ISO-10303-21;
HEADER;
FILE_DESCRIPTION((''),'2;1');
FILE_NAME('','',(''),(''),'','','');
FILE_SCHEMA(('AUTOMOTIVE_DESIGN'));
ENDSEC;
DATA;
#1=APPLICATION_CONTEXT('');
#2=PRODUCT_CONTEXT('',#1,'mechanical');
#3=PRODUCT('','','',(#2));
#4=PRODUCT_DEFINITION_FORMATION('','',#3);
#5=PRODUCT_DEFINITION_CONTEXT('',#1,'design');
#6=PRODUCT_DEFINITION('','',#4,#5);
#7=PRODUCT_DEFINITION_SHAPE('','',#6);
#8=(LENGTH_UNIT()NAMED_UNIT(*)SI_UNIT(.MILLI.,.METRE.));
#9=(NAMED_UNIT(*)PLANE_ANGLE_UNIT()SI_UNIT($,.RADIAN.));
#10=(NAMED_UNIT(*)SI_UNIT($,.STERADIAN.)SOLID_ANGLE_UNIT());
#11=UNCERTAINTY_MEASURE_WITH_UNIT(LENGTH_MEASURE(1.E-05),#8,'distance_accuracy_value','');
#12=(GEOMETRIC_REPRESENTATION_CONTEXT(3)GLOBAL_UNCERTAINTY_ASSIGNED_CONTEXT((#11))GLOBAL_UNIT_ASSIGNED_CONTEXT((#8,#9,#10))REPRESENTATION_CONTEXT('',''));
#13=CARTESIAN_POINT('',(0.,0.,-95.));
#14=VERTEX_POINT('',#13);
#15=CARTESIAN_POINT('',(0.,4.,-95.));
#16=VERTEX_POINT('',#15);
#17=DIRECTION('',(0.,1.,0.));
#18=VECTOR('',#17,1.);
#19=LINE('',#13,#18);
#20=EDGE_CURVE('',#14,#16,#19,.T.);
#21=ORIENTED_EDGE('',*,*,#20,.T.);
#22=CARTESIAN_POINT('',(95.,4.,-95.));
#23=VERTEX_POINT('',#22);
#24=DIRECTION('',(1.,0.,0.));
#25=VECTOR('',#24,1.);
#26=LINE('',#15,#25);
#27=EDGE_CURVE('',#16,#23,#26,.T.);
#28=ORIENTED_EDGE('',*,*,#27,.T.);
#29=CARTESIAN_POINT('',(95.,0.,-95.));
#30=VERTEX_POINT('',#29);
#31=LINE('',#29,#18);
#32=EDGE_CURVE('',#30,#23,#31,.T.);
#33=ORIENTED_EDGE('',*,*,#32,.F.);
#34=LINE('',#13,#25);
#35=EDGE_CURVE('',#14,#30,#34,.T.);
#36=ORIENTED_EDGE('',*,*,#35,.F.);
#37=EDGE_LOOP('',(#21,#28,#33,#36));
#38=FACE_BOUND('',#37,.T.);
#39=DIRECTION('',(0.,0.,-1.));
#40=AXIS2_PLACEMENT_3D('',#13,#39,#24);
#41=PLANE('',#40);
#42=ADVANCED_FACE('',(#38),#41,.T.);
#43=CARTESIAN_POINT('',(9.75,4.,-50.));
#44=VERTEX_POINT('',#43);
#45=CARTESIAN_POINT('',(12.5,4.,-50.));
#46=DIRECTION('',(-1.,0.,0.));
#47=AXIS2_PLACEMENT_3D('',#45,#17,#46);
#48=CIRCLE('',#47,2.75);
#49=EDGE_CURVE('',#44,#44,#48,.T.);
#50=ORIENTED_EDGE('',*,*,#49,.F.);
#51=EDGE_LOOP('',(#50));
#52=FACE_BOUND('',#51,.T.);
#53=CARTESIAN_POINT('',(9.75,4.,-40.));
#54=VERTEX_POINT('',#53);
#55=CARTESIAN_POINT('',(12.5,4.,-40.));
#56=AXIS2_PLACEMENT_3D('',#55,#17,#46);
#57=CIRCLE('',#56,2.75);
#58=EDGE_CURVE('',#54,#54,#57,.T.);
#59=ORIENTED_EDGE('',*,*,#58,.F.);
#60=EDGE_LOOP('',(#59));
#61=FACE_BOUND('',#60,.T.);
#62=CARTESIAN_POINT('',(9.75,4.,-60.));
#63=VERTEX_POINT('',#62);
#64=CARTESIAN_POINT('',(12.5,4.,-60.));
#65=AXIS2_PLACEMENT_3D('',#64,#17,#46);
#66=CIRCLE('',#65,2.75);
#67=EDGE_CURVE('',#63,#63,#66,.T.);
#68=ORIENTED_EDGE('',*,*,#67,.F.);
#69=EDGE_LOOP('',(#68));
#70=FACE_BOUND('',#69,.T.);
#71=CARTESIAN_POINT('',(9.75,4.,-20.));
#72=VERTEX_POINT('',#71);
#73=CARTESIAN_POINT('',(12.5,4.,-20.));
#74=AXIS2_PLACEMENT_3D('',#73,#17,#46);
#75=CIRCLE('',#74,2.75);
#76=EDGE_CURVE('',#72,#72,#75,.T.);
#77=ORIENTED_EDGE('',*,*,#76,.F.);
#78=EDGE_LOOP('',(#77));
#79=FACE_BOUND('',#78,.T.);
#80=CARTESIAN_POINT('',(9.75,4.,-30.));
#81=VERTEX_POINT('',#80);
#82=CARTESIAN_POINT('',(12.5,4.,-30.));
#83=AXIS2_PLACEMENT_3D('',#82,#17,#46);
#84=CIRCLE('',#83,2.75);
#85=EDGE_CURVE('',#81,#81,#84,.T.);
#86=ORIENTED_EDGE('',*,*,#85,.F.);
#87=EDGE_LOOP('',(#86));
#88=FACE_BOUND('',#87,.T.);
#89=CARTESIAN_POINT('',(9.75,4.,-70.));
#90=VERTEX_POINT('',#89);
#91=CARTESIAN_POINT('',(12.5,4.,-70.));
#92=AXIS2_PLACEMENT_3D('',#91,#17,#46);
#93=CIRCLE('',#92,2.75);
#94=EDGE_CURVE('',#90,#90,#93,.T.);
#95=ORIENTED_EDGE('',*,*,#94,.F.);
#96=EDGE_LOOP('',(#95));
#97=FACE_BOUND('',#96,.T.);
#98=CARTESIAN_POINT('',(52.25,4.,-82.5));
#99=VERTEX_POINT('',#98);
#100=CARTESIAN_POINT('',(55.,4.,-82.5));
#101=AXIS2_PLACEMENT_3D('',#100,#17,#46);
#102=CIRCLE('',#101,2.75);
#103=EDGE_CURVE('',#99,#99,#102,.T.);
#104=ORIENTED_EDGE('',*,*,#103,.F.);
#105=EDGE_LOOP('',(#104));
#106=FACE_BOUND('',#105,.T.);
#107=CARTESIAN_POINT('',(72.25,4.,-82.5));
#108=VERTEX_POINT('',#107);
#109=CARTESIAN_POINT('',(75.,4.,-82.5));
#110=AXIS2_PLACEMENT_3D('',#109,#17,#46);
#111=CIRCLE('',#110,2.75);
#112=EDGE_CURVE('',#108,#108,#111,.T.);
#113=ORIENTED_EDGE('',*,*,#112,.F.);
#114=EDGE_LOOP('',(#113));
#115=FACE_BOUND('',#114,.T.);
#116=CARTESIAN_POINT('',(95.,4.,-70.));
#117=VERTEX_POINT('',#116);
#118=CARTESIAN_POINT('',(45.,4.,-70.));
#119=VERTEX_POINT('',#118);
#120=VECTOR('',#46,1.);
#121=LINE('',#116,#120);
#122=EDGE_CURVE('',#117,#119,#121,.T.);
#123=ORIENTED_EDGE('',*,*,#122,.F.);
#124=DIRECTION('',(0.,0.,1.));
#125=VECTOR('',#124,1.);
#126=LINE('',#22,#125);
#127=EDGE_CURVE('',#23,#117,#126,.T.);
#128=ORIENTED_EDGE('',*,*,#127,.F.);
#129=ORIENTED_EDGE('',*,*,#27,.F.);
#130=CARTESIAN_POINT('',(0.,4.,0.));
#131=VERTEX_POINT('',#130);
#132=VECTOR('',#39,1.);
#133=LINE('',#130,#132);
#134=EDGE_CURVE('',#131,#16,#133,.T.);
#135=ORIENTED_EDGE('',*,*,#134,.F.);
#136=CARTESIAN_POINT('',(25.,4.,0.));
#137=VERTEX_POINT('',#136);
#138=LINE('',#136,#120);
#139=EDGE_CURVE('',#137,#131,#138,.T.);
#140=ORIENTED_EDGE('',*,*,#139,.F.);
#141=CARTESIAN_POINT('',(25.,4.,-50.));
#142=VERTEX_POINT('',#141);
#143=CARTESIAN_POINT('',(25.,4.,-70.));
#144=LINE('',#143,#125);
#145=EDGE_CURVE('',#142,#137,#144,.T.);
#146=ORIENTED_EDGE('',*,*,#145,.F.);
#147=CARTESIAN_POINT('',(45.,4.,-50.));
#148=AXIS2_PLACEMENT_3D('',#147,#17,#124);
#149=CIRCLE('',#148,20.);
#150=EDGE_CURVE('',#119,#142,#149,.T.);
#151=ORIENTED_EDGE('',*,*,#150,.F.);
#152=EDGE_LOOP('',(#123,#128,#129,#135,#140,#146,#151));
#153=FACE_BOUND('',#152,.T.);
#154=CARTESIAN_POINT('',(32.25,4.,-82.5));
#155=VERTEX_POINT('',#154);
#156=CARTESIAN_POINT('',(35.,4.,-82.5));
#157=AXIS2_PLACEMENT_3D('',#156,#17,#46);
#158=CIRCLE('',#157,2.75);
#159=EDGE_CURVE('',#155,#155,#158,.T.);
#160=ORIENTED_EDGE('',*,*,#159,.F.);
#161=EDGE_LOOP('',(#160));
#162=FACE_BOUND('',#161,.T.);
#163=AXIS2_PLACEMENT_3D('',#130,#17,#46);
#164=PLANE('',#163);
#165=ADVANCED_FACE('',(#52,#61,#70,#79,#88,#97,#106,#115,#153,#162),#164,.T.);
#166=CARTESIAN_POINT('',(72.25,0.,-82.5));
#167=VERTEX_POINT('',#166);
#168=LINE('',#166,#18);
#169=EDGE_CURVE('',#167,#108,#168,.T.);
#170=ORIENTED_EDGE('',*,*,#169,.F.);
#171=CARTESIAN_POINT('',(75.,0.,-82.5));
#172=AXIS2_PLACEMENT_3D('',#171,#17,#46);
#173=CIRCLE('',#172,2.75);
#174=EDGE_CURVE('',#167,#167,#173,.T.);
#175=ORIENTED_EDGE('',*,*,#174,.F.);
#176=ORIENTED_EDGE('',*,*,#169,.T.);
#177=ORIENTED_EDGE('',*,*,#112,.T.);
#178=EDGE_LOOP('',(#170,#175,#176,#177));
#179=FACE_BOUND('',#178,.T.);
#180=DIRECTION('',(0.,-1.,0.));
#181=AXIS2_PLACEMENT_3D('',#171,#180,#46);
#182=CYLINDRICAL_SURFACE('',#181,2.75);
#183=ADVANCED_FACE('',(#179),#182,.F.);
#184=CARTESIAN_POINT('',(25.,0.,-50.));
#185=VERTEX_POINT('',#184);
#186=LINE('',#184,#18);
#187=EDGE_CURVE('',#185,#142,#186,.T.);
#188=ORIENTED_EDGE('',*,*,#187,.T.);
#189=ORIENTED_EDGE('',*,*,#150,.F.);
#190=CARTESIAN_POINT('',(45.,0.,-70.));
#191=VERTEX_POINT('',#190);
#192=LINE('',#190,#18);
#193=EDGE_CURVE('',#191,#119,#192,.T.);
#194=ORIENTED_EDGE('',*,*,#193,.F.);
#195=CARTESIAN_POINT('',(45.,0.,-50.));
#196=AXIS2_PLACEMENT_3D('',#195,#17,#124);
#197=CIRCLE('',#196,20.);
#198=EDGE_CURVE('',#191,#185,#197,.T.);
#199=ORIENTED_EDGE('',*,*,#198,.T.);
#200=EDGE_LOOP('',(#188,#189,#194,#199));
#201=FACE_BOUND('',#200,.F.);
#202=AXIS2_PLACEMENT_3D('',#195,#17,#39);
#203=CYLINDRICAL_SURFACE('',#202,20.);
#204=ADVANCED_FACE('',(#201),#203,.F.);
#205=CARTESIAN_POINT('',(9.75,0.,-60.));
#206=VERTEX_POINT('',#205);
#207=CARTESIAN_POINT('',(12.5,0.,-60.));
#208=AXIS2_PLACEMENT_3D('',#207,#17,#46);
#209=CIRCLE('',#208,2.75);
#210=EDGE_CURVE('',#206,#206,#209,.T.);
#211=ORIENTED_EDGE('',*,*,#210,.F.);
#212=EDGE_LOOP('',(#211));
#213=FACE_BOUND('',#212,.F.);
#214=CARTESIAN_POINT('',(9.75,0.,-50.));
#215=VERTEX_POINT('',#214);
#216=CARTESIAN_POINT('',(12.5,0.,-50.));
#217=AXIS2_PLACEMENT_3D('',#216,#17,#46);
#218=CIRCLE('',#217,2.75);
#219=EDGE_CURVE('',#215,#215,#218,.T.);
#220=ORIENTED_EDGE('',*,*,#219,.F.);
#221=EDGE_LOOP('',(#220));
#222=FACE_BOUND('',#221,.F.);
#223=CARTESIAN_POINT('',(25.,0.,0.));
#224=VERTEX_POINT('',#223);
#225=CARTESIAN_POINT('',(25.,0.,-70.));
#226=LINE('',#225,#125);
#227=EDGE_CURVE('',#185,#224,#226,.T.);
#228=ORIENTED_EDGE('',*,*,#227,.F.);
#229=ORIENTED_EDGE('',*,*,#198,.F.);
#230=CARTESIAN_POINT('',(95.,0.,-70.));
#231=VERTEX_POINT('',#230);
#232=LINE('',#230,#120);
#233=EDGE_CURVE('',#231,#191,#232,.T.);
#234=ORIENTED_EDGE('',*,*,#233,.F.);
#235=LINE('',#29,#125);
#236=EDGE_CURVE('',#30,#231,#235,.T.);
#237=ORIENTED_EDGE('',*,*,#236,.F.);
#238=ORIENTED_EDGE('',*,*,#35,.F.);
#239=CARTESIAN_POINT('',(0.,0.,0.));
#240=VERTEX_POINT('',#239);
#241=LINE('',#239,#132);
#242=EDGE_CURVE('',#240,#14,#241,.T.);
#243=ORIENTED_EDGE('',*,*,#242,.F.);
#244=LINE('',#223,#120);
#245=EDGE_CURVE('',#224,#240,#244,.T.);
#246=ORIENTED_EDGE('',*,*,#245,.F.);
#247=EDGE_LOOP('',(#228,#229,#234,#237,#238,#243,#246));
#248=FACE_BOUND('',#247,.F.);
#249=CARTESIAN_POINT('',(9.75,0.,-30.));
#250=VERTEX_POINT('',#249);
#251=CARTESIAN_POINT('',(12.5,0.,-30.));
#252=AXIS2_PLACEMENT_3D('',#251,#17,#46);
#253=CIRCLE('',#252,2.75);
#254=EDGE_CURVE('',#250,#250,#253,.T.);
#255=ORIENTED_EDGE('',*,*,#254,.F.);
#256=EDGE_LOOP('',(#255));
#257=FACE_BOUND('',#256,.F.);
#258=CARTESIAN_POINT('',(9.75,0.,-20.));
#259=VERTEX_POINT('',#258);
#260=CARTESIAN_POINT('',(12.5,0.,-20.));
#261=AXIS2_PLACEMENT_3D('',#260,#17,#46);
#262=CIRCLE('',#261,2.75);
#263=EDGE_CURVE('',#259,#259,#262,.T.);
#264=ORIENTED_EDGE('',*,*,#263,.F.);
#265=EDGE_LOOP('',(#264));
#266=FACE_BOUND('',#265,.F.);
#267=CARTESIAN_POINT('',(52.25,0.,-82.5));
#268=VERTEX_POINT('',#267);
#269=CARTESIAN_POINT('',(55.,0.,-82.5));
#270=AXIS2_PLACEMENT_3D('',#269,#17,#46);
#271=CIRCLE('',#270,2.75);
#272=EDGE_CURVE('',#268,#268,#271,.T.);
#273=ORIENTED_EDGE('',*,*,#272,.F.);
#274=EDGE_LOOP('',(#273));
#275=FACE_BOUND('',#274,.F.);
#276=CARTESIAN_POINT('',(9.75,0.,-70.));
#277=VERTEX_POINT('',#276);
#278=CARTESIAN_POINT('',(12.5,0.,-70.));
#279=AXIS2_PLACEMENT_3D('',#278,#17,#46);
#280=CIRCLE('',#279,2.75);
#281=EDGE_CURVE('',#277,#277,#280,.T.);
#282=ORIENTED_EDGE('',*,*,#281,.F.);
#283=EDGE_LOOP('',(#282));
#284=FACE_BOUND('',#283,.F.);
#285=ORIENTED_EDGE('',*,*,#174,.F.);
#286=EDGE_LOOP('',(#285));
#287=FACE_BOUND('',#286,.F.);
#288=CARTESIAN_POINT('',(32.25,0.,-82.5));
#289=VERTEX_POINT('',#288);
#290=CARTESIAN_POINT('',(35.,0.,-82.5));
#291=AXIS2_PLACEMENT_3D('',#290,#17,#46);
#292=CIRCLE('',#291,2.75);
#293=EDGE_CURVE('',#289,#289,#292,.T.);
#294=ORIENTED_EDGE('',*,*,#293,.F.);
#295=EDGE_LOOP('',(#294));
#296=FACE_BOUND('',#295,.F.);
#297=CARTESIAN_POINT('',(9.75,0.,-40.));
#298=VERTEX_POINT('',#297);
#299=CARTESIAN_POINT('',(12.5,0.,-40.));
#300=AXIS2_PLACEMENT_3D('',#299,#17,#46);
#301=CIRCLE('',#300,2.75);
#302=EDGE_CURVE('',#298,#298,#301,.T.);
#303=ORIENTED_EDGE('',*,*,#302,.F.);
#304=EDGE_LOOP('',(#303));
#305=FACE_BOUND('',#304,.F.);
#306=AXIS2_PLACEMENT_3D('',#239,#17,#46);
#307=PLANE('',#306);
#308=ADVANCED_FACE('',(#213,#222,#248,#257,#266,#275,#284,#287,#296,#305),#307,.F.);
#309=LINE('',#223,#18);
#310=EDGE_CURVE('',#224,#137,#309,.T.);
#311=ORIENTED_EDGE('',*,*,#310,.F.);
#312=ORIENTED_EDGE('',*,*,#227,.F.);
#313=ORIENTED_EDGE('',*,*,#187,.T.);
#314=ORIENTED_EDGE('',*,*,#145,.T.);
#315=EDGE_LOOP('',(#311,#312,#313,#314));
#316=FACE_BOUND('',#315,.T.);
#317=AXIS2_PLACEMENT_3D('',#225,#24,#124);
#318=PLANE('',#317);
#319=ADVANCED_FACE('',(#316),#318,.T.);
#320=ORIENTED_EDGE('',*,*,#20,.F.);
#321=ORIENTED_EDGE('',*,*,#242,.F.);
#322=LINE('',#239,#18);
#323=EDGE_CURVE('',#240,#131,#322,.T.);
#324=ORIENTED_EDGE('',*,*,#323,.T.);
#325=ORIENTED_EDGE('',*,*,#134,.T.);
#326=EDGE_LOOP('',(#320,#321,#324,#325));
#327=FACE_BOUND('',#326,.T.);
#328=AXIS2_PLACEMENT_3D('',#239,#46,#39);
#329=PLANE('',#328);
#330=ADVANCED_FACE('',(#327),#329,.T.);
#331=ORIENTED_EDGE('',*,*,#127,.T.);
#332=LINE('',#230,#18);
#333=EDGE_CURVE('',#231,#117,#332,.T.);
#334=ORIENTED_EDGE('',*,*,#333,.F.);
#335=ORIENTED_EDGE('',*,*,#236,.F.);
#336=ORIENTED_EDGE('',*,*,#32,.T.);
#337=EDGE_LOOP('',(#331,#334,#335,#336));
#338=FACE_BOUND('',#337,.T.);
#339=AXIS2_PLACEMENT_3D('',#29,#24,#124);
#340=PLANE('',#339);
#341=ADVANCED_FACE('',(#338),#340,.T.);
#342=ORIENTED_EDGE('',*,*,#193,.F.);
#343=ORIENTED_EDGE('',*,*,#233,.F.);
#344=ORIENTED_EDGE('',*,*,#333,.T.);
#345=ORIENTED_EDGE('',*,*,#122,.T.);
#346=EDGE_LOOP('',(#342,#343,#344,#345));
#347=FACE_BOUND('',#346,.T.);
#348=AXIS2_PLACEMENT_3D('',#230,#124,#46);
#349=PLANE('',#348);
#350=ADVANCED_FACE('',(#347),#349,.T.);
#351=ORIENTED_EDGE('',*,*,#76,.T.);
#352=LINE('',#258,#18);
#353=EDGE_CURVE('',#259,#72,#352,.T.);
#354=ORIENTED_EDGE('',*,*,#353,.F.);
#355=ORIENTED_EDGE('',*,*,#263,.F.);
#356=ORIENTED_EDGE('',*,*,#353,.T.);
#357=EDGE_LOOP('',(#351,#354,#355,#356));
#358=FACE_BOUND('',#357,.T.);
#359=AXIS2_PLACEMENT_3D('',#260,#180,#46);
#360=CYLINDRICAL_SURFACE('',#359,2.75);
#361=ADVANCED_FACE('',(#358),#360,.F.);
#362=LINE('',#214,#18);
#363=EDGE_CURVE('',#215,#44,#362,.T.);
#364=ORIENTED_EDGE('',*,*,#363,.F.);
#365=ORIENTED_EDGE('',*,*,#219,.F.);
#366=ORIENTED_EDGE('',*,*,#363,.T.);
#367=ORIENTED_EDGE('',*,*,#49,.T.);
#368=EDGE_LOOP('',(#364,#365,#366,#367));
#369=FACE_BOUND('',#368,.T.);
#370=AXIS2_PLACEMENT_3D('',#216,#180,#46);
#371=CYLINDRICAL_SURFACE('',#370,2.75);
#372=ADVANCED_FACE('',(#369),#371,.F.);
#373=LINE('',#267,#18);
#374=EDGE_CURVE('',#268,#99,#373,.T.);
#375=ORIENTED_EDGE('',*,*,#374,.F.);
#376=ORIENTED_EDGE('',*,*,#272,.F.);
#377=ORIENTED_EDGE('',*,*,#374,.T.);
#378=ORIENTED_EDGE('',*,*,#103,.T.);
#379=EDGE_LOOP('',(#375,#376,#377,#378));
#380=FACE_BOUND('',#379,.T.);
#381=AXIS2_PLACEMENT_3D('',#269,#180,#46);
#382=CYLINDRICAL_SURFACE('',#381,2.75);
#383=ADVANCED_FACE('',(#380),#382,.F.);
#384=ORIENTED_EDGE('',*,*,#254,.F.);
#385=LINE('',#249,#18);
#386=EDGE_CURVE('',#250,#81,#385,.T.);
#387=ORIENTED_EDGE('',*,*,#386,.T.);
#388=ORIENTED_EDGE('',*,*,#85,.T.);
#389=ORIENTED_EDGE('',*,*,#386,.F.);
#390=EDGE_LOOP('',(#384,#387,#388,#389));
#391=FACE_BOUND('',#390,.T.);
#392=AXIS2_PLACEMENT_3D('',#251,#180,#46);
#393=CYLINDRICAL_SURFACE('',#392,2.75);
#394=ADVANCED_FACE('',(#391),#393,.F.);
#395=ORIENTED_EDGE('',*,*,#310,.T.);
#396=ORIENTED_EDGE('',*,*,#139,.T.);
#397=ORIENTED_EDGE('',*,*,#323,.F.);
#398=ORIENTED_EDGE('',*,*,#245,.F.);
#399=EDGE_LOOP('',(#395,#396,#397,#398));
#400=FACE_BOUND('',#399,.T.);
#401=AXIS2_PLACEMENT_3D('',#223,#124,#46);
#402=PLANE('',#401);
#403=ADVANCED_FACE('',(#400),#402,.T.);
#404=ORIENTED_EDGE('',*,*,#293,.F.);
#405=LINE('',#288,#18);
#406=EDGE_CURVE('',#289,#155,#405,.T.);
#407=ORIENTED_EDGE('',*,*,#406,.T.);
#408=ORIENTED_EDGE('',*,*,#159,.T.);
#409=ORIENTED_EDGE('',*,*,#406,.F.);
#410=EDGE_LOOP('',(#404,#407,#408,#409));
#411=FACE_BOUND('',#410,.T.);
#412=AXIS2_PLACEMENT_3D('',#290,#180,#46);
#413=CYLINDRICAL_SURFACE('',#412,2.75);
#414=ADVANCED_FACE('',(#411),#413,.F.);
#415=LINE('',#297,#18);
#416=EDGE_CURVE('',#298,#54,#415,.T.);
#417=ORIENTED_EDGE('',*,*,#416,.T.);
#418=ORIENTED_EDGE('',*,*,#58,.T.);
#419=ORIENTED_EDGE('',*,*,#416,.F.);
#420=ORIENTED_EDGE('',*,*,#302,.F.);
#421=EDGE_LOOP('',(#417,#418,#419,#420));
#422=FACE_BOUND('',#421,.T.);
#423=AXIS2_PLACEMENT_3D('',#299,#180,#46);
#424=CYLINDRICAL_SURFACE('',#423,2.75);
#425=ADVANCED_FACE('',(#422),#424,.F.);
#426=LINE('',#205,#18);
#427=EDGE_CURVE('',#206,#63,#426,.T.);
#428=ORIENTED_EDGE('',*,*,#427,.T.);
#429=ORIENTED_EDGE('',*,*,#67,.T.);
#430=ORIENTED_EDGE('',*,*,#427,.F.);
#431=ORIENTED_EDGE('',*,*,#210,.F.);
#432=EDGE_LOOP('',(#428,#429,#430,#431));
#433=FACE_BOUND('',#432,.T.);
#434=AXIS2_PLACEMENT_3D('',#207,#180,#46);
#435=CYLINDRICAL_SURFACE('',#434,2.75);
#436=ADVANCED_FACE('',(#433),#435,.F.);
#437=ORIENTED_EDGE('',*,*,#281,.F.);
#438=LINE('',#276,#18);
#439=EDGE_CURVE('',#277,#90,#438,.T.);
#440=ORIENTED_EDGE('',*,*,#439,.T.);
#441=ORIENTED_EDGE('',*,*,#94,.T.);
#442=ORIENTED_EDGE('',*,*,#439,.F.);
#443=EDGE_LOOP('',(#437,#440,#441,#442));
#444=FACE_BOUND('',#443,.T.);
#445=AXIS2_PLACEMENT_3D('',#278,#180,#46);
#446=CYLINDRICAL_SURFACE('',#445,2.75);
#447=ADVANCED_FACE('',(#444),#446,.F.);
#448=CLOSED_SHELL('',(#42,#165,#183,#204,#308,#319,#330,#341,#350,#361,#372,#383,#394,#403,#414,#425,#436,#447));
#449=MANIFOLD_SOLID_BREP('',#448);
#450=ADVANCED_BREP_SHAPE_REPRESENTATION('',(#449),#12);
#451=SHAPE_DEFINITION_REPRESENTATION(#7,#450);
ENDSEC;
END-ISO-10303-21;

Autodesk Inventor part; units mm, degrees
ref_plane "YZ Plane" through (0, 0, 0) normal (1, 0, 0) x (0, 1, 0)
ref_plane "XZ Plane" through (0, 0, 0) normal (0, 1, 0) x (-1, 0, 0)
ref_plane "XY Plane" through (0, 0, 0) normal (0, 0, 1) x (1, 0, 0)
sketch "Sketch1" plane through (0, 0, 0) normal (0, 1, 0) x (-1, 0, 0)
  line L0 (0, 0) -> (0, -95)
  line L1 (0, -95) -> (-95, -95)
  line L2 (-95, -95) -> (-95, -70)
  line L3 (-95, -70) -> (-25, -70)
  line L4 (-25, -70) -> (-25, 0)
  line L5 (-25, 0) -> (0, 0)
  circle A0 centre (-12.5, -20) radius 2.75
  line L6 (-12.5, 0) -> (-12.5, -95) construction
  circle A1 centre (-12.5, -40) radius 2.75
  circle A2 centre (-12.5, -60) radius 2.75
  line L7 (-95, -82.5) -> (0, -82.5) construction
  circle A3 centre (-35, -82.5) radius 2.75
  circle A4 centre (-55, -82.5) radius 2.75
  circle A5 centre (-75, -82.5) radius 2.75
  circle A6 centre (-12.5, -30) radius 2.75
  circle A7 centre (-12.5, -50) radius 2.75
  circle A8 centre (-12.5, -70) radius 2.75
  dimension "d0" = 25
  dimension "d1" = 70
  dimension "d2" = 25
  dimension "d3" = 70
  dimension "d4" = 5.5
  dimension "d5" = 20
  dimension "d6" = 5.5
  dimension "d7" = 5.5
  dimension "d8" = 20
  dimension "d9" = 20
  dimension "d12" = 5.5
  dimension "d13" = 35
  dimension "d14" = 5.5
  dimension "d15" = 20
  dimension "d16" = 5.5
  dimension "d17" = 20
  dimension "d22" = 10
extrude "Extrusion1" add sketch "Sketch1" along normal blind 4
fillet "Fillet1" radius 20 1 edges at (25, 2, -70)
properties part number "Brace 1" material "CFRP"
